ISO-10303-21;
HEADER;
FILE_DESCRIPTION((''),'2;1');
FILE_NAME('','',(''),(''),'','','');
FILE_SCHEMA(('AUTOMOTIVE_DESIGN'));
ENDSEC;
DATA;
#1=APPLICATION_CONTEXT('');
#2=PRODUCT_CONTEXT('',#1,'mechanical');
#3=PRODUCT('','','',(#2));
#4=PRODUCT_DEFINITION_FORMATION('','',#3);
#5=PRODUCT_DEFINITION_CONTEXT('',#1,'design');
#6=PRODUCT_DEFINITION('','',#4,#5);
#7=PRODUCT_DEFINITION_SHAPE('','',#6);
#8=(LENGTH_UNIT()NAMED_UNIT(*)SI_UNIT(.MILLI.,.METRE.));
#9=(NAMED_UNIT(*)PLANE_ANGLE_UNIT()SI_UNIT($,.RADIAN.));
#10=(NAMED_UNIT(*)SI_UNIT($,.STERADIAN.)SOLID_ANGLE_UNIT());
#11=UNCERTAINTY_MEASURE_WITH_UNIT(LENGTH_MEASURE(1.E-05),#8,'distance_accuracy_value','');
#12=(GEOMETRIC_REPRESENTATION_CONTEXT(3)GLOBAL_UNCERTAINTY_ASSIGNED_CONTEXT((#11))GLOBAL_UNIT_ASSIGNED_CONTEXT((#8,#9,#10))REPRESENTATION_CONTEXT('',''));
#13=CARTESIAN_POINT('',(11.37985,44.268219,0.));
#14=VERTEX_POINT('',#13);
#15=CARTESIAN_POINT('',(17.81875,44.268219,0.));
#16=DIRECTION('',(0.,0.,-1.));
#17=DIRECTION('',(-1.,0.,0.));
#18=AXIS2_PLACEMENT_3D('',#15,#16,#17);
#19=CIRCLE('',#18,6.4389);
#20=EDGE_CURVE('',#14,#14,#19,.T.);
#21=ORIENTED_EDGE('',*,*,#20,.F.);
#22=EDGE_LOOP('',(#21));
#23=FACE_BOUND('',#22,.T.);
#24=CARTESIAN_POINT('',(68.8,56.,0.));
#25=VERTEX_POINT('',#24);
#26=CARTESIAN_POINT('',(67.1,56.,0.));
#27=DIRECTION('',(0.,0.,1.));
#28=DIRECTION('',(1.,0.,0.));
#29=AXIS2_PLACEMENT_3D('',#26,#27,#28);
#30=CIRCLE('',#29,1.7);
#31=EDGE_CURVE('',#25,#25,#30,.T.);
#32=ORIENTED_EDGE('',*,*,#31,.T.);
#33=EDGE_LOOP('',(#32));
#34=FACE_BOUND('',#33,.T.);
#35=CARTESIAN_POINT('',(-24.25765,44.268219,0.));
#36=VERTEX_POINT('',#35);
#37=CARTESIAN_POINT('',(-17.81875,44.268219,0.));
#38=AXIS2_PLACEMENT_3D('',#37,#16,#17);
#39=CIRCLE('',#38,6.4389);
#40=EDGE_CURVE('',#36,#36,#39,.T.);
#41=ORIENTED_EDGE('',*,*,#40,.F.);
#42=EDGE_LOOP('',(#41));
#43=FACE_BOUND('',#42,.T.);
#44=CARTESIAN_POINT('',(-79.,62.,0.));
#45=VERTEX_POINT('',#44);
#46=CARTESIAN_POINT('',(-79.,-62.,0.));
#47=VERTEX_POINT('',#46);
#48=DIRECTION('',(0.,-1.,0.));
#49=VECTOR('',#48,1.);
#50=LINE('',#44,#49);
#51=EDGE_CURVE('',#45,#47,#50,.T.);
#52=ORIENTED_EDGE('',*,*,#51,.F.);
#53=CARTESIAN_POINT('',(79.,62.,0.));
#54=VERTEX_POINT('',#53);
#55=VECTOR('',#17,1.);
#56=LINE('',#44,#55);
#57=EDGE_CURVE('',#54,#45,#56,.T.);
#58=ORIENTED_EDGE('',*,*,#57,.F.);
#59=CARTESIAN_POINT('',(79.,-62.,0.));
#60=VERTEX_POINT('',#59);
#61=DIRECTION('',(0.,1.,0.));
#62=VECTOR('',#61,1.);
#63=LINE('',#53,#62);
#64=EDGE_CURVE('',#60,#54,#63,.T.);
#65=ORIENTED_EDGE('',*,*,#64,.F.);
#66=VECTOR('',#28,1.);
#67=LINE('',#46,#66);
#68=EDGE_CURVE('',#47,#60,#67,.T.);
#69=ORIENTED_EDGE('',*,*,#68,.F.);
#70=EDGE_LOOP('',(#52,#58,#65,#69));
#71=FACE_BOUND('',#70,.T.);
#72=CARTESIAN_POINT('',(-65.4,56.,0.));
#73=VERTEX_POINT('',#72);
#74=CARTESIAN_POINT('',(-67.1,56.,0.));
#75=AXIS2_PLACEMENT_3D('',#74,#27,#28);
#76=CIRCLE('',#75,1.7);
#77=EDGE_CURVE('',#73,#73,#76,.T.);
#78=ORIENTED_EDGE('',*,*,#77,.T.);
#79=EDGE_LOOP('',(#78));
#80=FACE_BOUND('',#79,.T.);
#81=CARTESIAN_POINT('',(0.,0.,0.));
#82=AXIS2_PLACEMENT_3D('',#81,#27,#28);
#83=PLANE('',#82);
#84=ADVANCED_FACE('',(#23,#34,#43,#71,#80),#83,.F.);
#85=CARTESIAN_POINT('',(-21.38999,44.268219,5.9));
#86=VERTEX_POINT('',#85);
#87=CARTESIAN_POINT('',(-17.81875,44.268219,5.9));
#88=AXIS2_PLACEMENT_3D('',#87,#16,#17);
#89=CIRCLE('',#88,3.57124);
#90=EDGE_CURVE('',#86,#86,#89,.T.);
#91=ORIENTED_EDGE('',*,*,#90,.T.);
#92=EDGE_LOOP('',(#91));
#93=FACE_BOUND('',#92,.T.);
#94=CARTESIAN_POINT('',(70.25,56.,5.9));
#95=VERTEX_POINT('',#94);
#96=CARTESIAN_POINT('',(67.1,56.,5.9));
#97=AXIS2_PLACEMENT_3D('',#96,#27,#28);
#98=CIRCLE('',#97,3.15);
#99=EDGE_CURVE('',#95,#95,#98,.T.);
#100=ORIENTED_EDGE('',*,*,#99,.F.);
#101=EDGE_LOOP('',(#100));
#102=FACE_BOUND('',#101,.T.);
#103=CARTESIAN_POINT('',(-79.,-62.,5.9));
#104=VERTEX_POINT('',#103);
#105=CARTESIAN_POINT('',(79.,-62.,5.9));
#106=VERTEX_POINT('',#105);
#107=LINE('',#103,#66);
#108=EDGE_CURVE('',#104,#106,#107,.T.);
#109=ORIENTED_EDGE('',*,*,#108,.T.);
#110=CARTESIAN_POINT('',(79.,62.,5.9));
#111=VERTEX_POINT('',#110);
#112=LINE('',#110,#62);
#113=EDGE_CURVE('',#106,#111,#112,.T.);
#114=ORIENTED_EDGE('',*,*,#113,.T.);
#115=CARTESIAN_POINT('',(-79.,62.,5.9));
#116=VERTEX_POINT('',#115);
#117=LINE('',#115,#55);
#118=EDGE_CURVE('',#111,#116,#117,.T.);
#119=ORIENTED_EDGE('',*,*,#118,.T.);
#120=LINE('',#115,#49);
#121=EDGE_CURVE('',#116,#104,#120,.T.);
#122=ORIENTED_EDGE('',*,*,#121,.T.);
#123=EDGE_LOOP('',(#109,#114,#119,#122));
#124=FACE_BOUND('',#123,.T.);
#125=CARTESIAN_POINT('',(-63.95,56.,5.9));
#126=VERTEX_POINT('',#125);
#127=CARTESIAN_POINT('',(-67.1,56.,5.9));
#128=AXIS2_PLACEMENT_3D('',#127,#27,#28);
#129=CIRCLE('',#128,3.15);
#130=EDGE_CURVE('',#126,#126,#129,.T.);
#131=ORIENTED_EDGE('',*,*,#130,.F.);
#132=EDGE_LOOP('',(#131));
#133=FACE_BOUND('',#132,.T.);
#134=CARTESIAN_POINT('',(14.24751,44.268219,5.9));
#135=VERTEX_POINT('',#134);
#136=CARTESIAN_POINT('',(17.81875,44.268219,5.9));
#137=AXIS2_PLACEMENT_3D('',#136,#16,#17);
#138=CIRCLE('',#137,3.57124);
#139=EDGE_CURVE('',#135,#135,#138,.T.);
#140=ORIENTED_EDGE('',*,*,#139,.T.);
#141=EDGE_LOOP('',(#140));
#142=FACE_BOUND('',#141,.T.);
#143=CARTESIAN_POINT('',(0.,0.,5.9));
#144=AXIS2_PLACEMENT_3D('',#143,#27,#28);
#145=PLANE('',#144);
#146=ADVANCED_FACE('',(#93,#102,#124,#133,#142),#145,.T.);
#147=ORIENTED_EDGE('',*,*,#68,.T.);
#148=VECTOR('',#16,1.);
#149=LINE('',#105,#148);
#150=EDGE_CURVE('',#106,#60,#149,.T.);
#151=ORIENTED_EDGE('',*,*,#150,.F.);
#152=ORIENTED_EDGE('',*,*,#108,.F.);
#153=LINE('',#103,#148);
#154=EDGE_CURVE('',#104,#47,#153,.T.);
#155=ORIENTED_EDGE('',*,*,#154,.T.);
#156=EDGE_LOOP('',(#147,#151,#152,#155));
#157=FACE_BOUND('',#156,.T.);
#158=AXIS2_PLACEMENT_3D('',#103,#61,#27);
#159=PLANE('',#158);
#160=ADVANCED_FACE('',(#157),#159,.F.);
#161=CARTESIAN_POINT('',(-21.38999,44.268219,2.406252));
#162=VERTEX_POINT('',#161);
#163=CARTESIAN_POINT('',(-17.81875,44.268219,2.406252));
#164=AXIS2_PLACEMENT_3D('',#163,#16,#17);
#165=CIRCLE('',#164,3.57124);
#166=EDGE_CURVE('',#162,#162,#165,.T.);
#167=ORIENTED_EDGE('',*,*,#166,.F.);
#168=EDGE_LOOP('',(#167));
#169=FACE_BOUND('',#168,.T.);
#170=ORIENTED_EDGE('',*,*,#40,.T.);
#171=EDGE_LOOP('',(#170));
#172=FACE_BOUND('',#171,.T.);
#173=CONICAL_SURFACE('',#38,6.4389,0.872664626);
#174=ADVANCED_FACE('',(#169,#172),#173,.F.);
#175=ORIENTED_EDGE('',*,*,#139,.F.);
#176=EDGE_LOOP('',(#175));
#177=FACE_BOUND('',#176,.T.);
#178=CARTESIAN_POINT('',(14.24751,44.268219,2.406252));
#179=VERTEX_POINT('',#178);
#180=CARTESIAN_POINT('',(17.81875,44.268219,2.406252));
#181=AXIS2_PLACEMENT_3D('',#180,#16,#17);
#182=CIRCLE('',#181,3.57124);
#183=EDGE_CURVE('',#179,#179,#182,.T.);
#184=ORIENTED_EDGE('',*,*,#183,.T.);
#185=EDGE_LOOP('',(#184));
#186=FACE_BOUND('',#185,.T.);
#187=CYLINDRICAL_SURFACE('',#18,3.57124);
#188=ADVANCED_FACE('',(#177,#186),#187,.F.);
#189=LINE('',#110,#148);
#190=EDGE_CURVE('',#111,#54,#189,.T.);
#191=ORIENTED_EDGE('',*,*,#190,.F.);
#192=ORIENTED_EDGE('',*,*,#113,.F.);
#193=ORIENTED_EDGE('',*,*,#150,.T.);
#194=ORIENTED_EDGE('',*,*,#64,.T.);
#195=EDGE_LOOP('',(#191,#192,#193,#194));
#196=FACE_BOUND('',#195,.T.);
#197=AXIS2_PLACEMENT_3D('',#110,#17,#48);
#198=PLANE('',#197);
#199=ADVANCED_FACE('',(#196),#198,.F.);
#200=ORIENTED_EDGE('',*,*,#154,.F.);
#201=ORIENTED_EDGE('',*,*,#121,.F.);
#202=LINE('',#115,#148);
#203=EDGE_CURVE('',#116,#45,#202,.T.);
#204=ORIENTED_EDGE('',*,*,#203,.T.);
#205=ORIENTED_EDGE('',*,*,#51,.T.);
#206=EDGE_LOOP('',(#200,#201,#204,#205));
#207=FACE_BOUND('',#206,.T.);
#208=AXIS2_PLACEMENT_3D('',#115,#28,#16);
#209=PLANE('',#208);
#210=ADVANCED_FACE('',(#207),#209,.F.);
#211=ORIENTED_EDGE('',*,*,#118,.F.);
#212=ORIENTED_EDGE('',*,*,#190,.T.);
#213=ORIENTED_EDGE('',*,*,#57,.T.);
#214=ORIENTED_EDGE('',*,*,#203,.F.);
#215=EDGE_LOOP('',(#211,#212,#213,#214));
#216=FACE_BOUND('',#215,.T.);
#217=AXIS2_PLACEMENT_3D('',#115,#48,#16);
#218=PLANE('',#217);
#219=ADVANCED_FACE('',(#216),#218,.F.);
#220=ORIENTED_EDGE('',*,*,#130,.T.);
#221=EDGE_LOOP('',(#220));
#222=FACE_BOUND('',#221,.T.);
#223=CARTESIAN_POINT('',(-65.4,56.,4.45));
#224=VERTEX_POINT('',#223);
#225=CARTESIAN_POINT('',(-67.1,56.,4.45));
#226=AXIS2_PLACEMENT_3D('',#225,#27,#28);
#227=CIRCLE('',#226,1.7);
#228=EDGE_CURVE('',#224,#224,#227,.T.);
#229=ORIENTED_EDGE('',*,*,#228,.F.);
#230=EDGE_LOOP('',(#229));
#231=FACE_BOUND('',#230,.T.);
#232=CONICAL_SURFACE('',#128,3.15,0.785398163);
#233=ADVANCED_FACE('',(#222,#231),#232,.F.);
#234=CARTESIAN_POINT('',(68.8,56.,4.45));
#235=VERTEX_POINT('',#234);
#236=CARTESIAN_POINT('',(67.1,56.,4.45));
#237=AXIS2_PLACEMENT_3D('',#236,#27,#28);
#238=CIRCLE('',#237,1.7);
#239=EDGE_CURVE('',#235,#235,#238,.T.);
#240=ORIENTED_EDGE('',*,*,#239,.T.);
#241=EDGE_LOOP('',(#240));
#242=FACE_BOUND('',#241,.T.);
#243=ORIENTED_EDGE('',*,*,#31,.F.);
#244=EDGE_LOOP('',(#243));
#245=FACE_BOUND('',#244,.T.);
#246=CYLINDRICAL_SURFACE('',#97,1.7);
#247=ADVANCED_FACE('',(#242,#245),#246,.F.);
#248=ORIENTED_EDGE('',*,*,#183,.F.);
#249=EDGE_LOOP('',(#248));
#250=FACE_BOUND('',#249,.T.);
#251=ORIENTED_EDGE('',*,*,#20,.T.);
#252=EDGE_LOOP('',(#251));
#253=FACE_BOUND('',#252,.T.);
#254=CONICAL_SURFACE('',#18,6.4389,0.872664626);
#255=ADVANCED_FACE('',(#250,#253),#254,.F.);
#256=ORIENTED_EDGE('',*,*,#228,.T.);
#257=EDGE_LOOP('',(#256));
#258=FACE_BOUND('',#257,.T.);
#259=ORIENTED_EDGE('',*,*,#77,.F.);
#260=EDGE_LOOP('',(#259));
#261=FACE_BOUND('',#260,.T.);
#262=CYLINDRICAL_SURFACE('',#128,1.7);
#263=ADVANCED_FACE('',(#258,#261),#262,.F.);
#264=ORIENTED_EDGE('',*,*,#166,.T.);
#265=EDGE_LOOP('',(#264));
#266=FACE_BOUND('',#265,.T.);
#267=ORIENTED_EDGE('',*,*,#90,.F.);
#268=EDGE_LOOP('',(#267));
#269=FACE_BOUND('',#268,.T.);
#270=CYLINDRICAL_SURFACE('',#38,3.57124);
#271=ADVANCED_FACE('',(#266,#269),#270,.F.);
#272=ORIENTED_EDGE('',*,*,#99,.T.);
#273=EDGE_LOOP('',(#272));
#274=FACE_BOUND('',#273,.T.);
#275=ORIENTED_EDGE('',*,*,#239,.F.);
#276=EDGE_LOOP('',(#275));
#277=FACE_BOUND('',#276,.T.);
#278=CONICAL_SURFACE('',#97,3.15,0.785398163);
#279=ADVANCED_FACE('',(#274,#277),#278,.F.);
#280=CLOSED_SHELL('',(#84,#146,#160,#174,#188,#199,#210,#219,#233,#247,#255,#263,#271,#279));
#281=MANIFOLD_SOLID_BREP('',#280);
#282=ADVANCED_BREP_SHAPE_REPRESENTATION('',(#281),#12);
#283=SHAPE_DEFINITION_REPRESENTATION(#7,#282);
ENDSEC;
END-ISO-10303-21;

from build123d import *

# Parameters (mm, degrees)
SKETCH1_W                                           = 158
SKETCH1_H                                           = 124
BOSS_EXTRUDE1_DEPTH                                 = 5.9
CSK_FOR_M3_FLAT_HEAD_MACHINE_SCREW1_D               = 3.4
CSK_FOR_M3_FLAT_HEAD_MACHINE_SCREW1_DEPTH           = 10
CSK_FOR_M3_FLAT_HEAD_MACHINE_SCREW1_CSINK_D         = 6.3
CSK_FOR_M3_FLAT_HEAD_MACHINE_SCREW1_CSINK_ANGLE     = 90
CSK_FOR_M3_FLAT_HEAD_MACHINE_SCREW1_TIP             = 1.021463052
CSK_FOR_1_4_FLAT_HEAD_MACHINE_SCREW_100_D           = 7.14248
CSK_FOR_1_4_FLAT_HEAD_MACHINE_SCREW_100_CSINK_D     = 12.8778
CSK_FOR_1_4_FLAT_HEAD_MACHINE_SCREW_100_CSINK_ANGLE = 100


with BuildPart() as part:
    # Sketch1 → Boss-Extrude1 (new body)
    with BuildSketch(Plane.XY):
        Rectangle(SKETCH1_W, SKETCH1_H)
    extrude(amount=BOSS_EXTRUDE1_DEPTH)

    # CSK for M3 Flat Head Machine Screw1
    with Locations(Plane.XY.offset(5.9)):
        with Locations((-67.1, 56), (67.1, 56)):
            CounterSinkHole(CSK_FOR_M3_FLAT_HEAD_MACHINE_SCREW1_D / 2, CSK_FOR_M3_FLAT_HEAD_MACHINE_SCREW1_CSINK_D / 2, depth=CSK_FOR_M3_FLAT_HEAD_MACHINE_SCREW1_DEPTH, counter_sink_angle=CSK_FOR_M3_FLAT_HEAD_MACHINE_SCREW1_CSINK_ANGLE)
            with Locations((0, 0, -(CSK_FOR_M3_FLAT_HEAD_MACHINE_SCREW1_DEPTH + CSK_FOR_M3_FLAT_HEAD_MACHINE_SCREW1_TIP / 2))):  # 118° drill point
                Cone(0, CSK_FOR_M3_FLAT_HEAD_MACHINE_SCREW1_D / 2, CSK_FOR_M3_FLAT_HEAD_MACHINE_SCREW1_TIP, mode=Mode.SUBTRACT)

    # CSK for 1/4 Flat Head Machine Screw (100)1 (through all)
    with Locations(Plane(origin=(0, 0, 0), x_dir=(1, 0, 0), z_dir=(0, 0, -1))):
        with Locations((-17.81875, -44.268219257), (17.81875, -44.268219257)):
            CounterSinkHole(CSK_FOR_1_4_FLAT_HEAD_MACHINE_SCREW_100_D / 2, CSK_FOR_1_4_FLAT_HEAD_MACHINE_SCREW_100_CSINK_D / 2, counter_sink_angle=CSK_FOR_1_4_FLAT_HEAD_MACHINE_SCREW_100_CSINK_ANGLE)


solid = part.part
